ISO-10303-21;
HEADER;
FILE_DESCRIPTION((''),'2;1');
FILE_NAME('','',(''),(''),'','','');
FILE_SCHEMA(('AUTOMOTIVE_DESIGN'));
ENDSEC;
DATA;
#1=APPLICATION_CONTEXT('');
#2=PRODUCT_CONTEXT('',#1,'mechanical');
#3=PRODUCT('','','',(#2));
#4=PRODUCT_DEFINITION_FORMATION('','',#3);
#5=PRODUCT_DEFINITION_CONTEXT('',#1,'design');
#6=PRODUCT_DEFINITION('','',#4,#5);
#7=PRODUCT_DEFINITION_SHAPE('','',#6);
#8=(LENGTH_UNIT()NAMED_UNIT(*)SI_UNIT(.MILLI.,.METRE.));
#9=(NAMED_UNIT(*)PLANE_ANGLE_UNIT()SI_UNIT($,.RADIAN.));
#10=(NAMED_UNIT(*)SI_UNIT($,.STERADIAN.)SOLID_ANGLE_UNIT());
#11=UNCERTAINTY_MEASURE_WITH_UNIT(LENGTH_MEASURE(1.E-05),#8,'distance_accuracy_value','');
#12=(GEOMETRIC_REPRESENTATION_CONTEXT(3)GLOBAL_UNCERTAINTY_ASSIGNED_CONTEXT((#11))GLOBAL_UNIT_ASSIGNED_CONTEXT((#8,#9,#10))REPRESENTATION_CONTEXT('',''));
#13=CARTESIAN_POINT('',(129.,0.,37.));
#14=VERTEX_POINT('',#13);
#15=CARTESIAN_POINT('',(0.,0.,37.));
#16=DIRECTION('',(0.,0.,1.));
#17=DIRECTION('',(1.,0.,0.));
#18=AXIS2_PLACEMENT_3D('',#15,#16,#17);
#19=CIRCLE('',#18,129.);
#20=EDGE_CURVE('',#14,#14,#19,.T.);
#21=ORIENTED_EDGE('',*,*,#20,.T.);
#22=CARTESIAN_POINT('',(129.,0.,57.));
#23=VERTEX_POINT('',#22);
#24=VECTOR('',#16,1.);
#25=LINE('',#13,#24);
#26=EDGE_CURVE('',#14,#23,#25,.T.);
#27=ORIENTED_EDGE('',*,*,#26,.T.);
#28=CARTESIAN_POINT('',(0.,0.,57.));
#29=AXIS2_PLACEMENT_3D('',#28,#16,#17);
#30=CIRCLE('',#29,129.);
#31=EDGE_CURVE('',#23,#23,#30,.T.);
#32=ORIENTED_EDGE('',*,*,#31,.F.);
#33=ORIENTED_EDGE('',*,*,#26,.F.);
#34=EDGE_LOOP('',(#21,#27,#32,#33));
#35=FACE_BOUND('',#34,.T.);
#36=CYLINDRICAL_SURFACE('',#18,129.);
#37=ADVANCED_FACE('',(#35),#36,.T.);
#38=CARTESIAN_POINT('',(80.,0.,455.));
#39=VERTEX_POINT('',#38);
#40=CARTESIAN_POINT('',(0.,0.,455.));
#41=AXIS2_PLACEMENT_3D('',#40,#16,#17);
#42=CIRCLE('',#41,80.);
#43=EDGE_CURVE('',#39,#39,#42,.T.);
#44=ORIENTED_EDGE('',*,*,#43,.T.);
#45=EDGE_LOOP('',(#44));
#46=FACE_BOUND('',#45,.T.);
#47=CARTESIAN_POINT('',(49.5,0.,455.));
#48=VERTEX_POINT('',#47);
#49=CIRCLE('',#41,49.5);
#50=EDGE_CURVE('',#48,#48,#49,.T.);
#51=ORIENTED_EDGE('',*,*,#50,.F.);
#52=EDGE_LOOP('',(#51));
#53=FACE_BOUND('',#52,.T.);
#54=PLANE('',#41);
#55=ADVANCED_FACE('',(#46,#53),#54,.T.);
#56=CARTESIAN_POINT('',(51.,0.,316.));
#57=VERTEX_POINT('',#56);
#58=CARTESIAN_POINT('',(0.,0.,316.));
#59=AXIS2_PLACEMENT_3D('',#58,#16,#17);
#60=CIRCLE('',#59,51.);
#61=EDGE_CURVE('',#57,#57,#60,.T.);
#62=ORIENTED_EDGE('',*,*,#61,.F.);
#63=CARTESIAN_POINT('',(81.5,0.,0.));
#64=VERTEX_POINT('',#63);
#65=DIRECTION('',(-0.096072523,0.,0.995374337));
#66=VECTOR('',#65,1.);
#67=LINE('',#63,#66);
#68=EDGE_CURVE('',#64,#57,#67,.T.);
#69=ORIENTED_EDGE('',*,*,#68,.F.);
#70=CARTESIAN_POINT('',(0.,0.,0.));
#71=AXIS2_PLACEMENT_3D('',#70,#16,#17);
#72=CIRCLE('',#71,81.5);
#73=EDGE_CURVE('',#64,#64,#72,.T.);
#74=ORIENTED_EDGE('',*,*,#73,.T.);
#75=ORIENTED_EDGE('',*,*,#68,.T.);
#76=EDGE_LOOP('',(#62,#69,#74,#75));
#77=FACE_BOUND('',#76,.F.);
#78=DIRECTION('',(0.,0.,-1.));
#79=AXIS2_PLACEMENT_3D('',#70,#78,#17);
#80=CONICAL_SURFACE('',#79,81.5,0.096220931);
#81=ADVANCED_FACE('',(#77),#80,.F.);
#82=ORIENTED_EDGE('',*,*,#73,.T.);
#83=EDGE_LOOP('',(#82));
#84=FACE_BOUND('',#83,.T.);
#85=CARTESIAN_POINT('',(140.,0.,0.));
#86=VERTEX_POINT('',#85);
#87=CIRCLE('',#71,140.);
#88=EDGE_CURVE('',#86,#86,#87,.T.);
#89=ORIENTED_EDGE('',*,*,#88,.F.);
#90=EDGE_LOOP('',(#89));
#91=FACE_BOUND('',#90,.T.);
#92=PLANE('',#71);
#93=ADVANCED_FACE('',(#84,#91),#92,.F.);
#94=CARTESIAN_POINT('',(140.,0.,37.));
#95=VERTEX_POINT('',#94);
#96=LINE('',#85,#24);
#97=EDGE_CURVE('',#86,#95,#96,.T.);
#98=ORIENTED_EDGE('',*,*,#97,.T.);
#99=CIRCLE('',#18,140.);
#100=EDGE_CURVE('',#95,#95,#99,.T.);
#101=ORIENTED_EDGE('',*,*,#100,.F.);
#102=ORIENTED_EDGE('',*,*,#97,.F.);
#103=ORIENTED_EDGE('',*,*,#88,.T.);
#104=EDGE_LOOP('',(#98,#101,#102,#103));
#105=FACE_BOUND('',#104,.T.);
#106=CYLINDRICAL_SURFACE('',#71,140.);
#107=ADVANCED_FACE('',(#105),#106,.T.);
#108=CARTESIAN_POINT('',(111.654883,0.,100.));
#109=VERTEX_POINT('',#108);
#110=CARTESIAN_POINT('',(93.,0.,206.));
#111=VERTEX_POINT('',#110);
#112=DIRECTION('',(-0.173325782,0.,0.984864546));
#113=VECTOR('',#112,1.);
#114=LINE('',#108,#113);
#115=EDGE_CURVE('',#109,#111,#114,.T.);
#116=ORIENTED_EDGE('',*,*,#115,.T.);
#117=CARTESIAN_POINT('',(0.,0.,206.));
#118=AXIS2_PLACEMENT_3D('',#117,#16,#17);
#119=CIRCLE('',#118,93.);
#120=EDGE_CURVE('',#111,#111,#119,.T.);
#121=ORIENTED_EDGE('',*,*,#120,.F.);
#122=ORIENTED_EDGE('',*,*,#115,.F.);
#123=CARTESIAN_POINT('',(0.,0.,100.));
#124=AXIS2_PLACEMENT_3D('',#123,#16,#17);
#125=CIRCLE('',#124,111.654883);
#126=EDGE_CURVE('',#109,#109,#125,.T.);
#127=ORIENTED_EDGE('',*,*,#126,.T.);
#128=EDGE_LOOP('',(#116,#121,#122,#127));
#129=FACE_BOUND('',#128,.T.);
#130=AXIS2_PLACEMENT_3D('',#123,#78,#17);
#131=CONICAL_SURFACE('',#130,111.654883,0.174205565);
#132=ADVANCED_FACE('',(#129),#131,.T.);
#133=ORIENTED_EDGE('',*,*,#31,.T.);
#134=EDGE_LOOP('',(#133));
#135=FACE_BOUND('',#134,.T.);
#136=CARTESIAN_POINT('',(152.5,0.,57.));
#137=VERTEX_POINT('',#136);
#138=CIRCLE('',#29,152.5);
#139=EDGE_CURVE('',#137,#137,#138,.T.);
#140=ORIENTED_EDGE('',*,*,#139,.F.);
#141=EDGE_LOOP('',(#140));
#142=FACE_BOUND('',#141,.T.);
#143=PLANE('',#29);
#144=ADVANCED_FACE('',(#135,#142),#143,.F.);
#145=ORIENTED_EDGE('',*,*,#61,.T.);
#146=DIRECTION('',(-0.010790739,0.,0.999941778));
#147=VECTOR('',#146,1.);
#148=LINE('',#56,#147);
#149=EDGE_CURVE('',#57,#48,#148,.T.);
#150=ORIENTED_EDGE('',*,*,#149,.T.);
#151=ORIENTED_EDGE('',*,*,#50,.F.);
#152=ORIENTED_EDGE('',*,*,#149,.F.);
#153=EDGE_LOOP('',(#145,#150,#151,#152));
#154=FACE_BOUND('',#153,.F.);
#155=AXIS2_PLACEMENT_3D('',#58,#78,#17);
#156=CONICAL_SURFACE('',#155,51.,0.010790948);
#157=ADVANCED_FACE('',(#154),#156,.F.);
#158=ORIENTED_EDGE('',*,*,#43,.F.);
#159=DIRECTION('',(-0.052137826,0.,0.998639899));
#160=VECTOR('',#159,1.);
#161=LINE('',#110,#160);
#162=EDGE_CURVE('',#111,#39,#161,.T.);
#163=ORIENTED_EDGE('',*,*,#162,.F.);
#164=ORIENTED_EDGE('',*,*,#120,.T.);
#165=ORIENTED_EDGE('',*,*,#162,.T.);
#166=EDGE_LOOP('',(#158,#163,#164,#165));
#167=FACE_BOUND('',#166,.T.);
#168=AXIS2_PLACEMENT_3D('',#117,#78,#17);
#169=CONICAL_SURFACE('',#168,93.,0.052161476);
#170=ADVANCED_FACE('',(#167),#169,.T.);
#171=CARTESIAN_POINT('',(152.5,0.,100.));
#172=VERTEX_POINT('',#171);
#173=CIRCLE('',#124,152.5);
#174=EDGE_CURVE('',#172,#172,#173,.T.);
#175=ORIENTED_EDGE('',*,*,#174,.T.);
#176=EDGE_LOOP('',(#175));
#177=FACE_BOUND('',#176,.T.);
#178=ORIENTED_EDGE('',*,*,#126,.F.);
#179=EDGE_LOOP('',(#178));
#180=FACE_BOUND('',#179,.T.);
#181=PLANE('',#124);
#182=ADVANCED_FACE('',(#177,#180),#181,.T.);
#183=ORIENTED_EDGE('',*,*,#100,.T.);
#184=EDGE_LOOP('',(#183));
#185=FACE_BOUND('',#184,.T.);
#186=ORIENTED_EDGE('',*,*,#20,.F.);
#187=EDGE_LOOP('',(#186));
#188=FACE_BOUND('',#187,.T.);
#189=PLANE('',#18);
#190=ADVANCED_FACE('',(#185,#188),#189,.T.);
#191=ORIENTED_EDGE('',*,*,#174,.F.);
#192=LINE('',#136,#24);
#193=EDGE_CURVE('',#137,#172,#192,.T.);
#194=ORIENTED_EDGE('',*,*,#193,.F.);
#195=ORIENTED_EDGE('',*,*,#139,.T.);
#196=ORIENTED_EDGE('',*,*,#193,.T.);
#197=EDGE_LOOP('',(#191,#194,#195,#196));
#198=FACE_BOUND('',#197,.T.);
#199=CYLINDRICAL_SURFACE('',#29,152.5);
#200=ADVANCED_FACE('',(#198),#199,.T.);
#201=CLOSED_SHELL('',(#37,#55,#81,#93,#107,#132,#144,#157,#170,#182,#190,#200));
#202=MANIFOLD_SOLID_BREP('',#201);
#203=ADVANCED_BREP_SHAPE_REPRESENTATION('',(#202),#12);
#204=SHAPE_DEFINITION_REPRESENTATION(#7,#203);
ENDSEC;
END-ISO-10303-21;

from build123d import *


with BuildPart() as f1:
    # F0 (on Front) → F1 (revolve)
    with BuildSketch(Plane.XZ):
        Polygon((80, 455), (0, 455), (0, 0), (140, 0), (140, 37), (129, 37), (129, 57), (152.5, 57), (152.5, 100), (111.654883, 100), (93, 206), align=None)
    revolve(axis=Axis((0, 0, 44.506), (0, 0, 1)))

    # F2 (on Front) → F3 (revolve, cut)
    with BuildSketch(Plane.XZ):
        Polygon((49.5, 455), (0, 455), (0, 0), (81.5, 0), (51, 316), align=None)
    revolve(axis=Axis((0, 0, 227.5), (0, 0, 1)), mode=Mode.SUBTRACT)


solid = f1.part
